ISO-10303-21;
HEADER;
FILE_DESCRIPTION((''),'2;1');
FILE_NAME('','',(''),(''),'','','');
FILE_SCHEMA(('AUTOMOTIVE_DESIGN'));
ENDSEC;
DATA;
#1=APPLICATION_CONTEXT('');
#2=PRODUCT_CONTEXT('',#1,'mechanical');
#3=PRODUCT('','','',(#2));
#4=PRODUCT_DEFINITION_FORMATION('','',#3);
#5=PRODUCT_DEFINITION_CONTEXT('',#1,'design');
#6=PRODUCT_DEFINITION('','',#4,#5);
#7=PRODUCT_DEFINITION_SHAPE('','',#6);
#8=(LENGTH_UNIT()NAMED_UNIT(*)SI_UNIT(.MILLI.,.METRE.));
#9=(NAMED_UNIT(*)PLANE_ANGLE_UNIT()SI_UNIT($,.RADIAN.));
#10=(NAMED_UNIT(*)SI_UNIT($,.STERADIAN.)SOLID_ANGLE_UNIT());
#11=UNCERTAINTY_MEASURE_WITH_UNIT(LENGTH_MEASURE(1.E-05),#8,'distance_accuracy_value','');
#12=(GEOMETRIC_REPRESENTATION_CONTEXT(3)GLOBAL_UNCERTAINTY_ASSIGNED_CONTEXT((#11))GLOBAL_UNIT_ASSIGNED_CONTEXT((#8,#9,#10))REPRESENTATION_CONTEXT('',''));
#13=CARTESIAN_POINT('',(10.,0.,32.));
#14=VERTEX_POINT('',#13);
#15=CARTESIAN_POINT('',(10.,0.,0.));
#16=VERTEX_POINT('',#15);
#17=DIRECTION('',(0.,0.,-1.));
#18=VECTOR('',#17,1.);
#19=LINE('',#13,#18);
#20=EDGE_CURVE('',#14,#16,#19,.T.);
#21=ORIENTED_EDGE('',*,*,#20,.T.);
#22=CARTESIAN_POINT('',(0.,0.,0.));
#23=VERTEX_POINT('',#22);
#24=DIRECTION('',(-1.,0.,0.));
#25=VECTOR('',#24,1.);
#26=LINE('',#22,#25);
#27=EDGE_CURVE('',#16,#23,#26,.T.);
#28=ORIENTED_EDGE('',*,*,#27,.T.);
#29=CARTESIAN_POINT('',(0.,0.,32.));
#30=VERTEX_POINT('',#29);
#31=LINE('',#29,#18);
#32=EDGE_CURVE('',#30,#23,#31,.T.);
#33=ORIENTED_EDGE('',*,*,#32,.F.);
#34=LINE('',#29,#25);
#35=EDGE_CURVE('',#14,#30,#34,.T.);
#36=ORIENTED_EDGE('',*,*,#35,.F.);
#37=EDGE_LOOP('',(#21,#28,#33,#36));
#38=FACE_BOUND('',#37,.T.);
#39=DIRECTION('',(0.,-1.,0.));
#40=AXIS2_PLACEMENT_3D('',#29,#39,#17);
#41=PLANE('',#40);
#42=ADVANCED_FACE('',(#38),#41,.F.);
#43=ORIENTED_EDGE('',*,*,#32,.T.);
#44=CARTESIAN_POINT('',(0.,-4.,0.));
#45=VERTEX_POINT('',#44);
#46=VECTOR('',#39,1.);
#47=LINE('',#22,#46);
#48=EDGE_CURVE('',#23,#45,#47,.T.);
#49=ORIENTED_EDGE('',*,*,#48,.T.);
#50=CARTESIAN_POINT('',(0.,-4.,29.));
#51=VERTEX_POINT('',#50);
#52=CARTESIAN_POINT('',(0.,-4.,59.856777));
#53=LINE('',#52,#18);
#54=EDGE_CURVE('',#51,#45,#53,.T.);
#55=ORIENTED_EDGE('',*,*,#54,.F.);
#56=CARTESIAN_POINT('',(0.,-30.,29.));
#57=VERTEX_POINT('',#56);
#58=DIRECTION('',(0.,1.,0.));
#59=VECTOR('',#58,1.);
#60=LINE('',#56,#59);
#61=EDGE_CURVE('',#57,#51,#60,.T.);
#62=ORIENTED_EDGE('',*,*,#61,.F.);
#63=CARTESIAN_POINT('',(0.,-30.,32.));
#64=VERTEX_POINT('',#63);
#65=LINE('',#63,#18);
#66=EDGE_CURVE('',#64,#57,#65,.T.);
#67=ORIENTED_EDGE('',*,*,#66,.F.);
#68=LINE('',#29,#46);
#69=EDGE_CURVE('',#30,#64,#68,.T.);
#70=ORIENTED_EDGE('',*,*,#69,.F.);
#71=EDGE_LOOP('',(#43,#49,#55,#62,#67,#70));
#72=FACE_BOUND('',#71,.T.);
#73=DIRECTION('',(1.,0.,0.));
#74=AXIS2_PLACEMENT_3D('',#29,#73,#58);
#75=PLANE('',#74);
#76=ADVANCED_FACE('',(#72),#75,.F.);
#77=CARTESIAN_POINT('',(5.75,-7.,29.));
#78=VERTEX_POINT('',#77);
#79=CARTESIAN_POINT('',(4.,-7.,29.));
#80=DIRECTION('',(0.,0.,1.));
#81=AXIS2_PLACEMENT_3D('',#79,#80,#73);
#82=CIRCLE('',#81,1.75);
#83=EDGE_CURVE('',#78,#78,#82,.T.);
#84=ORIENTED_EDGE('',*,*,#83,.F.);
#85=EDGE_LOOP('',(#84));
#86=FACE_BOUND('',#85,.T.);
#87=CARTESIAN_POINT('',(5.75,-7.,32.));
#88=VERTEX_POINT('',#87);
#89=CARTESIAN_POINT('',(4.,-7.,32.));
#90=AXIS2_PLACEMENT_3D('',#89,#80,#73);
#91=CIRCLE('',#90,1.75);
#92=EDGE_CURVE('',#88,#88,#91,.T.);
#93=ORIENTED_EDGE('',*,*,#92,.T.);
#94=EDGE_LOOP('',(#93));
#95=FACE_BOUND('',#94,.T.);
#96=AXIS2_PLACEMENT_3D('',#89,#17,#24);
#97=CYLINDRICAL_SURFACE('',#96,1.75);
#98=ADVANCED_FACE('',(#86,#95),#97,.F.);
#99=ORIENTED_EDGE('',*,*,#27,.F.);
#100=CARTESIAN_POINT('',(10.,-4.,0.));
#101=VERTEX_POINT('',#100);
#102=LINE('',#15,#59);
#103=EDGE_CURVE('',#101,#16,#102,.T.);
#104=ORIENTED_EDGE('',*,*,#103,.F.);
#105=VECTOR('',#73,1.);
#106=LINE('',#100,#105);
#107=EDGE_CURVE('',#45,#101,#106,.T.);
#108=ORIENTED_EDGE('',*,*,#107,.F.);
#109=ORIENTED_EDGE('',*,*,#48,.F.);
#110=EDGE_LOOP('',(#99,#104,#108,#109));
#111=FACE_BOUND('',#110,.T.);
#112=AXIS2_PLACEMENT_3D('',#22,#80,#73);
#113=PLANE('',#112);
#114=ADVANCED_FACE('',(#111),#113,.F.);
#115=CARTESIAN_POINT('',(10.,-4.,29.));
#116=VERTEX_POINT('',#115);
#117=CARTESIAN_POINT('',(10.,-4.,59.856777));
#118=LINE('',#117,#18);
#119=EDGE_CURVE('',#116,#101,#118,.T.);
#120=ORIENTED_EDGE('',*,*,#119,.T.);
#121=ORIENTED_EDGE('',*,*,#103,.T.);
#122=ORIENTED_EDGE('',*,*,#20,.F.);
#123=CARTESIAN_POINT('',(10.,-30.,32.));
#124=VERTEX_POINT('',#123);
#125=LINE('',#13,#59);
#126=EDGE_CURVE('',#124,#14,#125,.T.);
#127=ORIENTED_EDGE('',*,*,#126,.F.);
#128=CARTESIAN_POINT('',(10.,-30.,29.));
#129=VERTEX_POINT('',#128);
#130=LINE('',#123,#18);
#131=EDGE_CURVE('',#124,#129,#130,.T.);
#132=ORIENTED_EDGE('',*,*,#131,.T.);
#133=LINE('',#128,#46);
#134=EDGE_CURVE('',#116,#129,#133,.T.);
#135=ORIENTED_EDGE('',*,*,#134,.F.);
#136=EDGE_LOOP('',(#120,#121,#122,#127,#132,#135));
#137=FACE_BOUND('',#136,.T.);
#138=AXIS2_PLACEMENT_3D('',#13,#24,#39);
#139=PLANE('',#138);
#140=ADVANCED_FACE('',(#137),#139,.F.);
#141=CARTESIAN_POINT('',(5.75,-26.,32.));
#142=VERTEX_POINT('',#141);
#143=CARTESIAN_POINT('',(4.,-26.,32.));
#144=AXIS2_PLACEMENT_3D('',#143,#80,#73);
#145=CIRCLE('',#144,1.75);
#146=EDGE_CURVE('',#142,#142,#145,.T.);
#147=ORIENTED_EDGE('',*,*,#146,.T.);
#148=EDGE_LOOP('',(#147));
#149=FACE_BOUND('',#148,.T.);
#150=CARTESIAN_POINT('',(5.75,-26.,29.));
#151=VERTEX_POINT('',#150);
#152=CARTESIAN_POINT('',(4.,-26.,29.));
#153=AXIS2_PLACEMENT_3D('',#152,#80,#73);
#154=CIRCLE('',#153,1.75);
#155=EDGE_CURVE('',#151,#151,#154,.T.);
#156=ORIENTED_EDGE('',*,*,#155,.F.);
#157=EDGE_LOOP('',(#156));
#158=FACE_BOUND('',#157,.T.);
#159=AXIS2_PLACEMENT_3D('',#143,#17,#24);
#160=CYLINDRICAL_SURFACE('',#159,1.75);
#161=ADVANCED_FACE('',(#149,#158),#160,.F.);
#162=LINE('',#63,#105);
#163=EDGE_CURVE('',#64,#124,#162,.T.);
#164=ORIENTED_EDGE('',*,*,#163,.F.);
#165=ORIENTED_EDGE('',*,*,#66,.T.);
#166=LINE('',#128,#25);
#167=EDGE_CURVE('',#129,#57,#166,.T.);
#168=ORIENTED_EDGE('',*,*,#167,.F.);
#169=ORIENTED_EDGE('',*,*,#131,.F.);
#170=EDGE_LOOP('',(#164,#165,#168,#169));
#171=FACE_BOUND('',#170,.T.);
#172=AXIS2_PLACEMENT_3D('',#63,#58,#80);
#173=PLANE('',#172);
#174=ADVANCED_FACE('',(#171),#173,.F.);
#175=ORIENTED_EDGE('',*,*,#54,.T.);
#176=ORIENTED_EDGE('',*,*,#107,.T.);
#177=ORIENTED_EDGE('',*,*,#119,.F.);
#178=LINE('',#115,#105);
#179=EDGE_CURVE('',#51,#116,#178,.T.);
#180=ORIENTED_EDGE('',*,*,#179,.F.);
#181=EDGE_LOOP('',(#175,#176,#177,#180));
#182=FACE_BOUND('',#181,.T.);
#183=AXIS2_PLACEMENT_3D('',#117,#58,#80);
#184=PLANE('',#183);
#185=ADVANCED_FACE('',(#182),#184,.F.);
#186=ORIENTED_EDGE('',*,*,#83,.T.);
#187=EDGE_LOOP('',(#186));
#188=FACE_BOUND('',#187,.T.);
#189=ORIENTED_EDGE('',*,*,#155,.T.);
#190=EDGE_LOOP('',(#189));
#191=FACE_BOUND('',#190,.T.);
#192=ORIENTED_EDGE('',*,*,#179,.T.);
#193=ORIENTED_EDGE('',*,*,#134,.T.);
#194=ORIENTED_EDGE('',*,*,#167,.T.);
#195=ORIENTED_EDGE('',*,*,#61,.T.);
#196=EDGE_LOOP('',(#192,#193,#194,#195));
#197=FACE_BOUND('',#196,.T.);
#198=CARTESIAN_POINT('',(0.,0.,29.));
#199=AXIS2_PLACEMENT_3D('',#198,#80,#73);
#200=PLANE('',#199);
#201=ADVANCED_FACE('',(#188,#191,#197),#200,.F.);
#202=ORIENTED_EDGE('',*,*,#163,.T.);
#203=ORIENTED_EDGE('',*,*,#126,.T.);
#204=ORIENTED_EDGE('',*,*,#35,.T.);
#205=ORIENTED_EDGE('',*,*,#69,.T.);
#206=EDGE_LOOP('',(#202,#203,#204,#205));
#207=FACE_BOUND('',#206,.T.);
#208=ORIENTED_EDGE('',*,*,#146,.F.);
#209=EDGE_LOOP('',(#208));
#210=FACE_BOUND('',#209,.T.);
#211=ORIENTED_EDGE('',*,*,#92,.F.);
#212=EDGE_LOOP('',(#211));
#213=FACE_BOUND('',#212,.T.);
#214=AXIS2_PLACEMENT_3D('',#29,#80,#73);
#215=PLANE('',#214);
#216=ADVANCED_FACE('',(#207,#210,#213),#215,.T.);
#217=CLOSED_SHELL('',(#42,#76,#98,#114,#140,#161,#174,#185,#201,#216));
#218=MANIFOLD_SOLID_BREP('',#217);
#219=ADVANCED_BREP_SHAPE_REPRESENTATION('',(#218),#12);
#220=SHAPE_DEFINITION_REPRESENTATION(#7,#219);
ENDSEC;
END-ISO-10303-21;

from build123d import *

# Parameters (mm, degrees)
SKETCH1_W           = 10
SKETCH1_H           = 30
SKETCH1_R           = 1.75
BOSS_EXTRUDE1_DEPTH = 32
SKETCH2_W           = 10
SKETCH2_H           = 26
CUT_EXTRUDE1_DEPTH  = 29


with BuildPart() as part:
    # Sketch1 → Boss-Extrude1 (new body)
    with BuildSketch(Plane.XY):
        with Locations((5, -15)):
            Rectangle(SKETCH1_W, SKETCH1_H)
        with Locations((4, -7)):
            Circle(SKETCH1_R, mode=Mode.SUBTRACT)
        with Locations((4, -26)):
            Circle(SKETCH1_R, mode=Mode.SUBTRACT)
    extrude(amount=BOSS_EXTRUDE1_DEPTH)

    # Sketch2 → Cut-Extrude1 (cut)
    with BuildSketch(Plane(origin=(0, 0, 0), x_dir=(-1, 0, 0), z_dir=(0, 0, -1))):
        with Locations((-5, -17)):
            Rectangle(SKETCH2_W, SKETCH2_H)
    extrude(amount=-CUT_EXTRUDE1_DEPTH, mode=Mode.SUBTRACT)


solid = part.part
